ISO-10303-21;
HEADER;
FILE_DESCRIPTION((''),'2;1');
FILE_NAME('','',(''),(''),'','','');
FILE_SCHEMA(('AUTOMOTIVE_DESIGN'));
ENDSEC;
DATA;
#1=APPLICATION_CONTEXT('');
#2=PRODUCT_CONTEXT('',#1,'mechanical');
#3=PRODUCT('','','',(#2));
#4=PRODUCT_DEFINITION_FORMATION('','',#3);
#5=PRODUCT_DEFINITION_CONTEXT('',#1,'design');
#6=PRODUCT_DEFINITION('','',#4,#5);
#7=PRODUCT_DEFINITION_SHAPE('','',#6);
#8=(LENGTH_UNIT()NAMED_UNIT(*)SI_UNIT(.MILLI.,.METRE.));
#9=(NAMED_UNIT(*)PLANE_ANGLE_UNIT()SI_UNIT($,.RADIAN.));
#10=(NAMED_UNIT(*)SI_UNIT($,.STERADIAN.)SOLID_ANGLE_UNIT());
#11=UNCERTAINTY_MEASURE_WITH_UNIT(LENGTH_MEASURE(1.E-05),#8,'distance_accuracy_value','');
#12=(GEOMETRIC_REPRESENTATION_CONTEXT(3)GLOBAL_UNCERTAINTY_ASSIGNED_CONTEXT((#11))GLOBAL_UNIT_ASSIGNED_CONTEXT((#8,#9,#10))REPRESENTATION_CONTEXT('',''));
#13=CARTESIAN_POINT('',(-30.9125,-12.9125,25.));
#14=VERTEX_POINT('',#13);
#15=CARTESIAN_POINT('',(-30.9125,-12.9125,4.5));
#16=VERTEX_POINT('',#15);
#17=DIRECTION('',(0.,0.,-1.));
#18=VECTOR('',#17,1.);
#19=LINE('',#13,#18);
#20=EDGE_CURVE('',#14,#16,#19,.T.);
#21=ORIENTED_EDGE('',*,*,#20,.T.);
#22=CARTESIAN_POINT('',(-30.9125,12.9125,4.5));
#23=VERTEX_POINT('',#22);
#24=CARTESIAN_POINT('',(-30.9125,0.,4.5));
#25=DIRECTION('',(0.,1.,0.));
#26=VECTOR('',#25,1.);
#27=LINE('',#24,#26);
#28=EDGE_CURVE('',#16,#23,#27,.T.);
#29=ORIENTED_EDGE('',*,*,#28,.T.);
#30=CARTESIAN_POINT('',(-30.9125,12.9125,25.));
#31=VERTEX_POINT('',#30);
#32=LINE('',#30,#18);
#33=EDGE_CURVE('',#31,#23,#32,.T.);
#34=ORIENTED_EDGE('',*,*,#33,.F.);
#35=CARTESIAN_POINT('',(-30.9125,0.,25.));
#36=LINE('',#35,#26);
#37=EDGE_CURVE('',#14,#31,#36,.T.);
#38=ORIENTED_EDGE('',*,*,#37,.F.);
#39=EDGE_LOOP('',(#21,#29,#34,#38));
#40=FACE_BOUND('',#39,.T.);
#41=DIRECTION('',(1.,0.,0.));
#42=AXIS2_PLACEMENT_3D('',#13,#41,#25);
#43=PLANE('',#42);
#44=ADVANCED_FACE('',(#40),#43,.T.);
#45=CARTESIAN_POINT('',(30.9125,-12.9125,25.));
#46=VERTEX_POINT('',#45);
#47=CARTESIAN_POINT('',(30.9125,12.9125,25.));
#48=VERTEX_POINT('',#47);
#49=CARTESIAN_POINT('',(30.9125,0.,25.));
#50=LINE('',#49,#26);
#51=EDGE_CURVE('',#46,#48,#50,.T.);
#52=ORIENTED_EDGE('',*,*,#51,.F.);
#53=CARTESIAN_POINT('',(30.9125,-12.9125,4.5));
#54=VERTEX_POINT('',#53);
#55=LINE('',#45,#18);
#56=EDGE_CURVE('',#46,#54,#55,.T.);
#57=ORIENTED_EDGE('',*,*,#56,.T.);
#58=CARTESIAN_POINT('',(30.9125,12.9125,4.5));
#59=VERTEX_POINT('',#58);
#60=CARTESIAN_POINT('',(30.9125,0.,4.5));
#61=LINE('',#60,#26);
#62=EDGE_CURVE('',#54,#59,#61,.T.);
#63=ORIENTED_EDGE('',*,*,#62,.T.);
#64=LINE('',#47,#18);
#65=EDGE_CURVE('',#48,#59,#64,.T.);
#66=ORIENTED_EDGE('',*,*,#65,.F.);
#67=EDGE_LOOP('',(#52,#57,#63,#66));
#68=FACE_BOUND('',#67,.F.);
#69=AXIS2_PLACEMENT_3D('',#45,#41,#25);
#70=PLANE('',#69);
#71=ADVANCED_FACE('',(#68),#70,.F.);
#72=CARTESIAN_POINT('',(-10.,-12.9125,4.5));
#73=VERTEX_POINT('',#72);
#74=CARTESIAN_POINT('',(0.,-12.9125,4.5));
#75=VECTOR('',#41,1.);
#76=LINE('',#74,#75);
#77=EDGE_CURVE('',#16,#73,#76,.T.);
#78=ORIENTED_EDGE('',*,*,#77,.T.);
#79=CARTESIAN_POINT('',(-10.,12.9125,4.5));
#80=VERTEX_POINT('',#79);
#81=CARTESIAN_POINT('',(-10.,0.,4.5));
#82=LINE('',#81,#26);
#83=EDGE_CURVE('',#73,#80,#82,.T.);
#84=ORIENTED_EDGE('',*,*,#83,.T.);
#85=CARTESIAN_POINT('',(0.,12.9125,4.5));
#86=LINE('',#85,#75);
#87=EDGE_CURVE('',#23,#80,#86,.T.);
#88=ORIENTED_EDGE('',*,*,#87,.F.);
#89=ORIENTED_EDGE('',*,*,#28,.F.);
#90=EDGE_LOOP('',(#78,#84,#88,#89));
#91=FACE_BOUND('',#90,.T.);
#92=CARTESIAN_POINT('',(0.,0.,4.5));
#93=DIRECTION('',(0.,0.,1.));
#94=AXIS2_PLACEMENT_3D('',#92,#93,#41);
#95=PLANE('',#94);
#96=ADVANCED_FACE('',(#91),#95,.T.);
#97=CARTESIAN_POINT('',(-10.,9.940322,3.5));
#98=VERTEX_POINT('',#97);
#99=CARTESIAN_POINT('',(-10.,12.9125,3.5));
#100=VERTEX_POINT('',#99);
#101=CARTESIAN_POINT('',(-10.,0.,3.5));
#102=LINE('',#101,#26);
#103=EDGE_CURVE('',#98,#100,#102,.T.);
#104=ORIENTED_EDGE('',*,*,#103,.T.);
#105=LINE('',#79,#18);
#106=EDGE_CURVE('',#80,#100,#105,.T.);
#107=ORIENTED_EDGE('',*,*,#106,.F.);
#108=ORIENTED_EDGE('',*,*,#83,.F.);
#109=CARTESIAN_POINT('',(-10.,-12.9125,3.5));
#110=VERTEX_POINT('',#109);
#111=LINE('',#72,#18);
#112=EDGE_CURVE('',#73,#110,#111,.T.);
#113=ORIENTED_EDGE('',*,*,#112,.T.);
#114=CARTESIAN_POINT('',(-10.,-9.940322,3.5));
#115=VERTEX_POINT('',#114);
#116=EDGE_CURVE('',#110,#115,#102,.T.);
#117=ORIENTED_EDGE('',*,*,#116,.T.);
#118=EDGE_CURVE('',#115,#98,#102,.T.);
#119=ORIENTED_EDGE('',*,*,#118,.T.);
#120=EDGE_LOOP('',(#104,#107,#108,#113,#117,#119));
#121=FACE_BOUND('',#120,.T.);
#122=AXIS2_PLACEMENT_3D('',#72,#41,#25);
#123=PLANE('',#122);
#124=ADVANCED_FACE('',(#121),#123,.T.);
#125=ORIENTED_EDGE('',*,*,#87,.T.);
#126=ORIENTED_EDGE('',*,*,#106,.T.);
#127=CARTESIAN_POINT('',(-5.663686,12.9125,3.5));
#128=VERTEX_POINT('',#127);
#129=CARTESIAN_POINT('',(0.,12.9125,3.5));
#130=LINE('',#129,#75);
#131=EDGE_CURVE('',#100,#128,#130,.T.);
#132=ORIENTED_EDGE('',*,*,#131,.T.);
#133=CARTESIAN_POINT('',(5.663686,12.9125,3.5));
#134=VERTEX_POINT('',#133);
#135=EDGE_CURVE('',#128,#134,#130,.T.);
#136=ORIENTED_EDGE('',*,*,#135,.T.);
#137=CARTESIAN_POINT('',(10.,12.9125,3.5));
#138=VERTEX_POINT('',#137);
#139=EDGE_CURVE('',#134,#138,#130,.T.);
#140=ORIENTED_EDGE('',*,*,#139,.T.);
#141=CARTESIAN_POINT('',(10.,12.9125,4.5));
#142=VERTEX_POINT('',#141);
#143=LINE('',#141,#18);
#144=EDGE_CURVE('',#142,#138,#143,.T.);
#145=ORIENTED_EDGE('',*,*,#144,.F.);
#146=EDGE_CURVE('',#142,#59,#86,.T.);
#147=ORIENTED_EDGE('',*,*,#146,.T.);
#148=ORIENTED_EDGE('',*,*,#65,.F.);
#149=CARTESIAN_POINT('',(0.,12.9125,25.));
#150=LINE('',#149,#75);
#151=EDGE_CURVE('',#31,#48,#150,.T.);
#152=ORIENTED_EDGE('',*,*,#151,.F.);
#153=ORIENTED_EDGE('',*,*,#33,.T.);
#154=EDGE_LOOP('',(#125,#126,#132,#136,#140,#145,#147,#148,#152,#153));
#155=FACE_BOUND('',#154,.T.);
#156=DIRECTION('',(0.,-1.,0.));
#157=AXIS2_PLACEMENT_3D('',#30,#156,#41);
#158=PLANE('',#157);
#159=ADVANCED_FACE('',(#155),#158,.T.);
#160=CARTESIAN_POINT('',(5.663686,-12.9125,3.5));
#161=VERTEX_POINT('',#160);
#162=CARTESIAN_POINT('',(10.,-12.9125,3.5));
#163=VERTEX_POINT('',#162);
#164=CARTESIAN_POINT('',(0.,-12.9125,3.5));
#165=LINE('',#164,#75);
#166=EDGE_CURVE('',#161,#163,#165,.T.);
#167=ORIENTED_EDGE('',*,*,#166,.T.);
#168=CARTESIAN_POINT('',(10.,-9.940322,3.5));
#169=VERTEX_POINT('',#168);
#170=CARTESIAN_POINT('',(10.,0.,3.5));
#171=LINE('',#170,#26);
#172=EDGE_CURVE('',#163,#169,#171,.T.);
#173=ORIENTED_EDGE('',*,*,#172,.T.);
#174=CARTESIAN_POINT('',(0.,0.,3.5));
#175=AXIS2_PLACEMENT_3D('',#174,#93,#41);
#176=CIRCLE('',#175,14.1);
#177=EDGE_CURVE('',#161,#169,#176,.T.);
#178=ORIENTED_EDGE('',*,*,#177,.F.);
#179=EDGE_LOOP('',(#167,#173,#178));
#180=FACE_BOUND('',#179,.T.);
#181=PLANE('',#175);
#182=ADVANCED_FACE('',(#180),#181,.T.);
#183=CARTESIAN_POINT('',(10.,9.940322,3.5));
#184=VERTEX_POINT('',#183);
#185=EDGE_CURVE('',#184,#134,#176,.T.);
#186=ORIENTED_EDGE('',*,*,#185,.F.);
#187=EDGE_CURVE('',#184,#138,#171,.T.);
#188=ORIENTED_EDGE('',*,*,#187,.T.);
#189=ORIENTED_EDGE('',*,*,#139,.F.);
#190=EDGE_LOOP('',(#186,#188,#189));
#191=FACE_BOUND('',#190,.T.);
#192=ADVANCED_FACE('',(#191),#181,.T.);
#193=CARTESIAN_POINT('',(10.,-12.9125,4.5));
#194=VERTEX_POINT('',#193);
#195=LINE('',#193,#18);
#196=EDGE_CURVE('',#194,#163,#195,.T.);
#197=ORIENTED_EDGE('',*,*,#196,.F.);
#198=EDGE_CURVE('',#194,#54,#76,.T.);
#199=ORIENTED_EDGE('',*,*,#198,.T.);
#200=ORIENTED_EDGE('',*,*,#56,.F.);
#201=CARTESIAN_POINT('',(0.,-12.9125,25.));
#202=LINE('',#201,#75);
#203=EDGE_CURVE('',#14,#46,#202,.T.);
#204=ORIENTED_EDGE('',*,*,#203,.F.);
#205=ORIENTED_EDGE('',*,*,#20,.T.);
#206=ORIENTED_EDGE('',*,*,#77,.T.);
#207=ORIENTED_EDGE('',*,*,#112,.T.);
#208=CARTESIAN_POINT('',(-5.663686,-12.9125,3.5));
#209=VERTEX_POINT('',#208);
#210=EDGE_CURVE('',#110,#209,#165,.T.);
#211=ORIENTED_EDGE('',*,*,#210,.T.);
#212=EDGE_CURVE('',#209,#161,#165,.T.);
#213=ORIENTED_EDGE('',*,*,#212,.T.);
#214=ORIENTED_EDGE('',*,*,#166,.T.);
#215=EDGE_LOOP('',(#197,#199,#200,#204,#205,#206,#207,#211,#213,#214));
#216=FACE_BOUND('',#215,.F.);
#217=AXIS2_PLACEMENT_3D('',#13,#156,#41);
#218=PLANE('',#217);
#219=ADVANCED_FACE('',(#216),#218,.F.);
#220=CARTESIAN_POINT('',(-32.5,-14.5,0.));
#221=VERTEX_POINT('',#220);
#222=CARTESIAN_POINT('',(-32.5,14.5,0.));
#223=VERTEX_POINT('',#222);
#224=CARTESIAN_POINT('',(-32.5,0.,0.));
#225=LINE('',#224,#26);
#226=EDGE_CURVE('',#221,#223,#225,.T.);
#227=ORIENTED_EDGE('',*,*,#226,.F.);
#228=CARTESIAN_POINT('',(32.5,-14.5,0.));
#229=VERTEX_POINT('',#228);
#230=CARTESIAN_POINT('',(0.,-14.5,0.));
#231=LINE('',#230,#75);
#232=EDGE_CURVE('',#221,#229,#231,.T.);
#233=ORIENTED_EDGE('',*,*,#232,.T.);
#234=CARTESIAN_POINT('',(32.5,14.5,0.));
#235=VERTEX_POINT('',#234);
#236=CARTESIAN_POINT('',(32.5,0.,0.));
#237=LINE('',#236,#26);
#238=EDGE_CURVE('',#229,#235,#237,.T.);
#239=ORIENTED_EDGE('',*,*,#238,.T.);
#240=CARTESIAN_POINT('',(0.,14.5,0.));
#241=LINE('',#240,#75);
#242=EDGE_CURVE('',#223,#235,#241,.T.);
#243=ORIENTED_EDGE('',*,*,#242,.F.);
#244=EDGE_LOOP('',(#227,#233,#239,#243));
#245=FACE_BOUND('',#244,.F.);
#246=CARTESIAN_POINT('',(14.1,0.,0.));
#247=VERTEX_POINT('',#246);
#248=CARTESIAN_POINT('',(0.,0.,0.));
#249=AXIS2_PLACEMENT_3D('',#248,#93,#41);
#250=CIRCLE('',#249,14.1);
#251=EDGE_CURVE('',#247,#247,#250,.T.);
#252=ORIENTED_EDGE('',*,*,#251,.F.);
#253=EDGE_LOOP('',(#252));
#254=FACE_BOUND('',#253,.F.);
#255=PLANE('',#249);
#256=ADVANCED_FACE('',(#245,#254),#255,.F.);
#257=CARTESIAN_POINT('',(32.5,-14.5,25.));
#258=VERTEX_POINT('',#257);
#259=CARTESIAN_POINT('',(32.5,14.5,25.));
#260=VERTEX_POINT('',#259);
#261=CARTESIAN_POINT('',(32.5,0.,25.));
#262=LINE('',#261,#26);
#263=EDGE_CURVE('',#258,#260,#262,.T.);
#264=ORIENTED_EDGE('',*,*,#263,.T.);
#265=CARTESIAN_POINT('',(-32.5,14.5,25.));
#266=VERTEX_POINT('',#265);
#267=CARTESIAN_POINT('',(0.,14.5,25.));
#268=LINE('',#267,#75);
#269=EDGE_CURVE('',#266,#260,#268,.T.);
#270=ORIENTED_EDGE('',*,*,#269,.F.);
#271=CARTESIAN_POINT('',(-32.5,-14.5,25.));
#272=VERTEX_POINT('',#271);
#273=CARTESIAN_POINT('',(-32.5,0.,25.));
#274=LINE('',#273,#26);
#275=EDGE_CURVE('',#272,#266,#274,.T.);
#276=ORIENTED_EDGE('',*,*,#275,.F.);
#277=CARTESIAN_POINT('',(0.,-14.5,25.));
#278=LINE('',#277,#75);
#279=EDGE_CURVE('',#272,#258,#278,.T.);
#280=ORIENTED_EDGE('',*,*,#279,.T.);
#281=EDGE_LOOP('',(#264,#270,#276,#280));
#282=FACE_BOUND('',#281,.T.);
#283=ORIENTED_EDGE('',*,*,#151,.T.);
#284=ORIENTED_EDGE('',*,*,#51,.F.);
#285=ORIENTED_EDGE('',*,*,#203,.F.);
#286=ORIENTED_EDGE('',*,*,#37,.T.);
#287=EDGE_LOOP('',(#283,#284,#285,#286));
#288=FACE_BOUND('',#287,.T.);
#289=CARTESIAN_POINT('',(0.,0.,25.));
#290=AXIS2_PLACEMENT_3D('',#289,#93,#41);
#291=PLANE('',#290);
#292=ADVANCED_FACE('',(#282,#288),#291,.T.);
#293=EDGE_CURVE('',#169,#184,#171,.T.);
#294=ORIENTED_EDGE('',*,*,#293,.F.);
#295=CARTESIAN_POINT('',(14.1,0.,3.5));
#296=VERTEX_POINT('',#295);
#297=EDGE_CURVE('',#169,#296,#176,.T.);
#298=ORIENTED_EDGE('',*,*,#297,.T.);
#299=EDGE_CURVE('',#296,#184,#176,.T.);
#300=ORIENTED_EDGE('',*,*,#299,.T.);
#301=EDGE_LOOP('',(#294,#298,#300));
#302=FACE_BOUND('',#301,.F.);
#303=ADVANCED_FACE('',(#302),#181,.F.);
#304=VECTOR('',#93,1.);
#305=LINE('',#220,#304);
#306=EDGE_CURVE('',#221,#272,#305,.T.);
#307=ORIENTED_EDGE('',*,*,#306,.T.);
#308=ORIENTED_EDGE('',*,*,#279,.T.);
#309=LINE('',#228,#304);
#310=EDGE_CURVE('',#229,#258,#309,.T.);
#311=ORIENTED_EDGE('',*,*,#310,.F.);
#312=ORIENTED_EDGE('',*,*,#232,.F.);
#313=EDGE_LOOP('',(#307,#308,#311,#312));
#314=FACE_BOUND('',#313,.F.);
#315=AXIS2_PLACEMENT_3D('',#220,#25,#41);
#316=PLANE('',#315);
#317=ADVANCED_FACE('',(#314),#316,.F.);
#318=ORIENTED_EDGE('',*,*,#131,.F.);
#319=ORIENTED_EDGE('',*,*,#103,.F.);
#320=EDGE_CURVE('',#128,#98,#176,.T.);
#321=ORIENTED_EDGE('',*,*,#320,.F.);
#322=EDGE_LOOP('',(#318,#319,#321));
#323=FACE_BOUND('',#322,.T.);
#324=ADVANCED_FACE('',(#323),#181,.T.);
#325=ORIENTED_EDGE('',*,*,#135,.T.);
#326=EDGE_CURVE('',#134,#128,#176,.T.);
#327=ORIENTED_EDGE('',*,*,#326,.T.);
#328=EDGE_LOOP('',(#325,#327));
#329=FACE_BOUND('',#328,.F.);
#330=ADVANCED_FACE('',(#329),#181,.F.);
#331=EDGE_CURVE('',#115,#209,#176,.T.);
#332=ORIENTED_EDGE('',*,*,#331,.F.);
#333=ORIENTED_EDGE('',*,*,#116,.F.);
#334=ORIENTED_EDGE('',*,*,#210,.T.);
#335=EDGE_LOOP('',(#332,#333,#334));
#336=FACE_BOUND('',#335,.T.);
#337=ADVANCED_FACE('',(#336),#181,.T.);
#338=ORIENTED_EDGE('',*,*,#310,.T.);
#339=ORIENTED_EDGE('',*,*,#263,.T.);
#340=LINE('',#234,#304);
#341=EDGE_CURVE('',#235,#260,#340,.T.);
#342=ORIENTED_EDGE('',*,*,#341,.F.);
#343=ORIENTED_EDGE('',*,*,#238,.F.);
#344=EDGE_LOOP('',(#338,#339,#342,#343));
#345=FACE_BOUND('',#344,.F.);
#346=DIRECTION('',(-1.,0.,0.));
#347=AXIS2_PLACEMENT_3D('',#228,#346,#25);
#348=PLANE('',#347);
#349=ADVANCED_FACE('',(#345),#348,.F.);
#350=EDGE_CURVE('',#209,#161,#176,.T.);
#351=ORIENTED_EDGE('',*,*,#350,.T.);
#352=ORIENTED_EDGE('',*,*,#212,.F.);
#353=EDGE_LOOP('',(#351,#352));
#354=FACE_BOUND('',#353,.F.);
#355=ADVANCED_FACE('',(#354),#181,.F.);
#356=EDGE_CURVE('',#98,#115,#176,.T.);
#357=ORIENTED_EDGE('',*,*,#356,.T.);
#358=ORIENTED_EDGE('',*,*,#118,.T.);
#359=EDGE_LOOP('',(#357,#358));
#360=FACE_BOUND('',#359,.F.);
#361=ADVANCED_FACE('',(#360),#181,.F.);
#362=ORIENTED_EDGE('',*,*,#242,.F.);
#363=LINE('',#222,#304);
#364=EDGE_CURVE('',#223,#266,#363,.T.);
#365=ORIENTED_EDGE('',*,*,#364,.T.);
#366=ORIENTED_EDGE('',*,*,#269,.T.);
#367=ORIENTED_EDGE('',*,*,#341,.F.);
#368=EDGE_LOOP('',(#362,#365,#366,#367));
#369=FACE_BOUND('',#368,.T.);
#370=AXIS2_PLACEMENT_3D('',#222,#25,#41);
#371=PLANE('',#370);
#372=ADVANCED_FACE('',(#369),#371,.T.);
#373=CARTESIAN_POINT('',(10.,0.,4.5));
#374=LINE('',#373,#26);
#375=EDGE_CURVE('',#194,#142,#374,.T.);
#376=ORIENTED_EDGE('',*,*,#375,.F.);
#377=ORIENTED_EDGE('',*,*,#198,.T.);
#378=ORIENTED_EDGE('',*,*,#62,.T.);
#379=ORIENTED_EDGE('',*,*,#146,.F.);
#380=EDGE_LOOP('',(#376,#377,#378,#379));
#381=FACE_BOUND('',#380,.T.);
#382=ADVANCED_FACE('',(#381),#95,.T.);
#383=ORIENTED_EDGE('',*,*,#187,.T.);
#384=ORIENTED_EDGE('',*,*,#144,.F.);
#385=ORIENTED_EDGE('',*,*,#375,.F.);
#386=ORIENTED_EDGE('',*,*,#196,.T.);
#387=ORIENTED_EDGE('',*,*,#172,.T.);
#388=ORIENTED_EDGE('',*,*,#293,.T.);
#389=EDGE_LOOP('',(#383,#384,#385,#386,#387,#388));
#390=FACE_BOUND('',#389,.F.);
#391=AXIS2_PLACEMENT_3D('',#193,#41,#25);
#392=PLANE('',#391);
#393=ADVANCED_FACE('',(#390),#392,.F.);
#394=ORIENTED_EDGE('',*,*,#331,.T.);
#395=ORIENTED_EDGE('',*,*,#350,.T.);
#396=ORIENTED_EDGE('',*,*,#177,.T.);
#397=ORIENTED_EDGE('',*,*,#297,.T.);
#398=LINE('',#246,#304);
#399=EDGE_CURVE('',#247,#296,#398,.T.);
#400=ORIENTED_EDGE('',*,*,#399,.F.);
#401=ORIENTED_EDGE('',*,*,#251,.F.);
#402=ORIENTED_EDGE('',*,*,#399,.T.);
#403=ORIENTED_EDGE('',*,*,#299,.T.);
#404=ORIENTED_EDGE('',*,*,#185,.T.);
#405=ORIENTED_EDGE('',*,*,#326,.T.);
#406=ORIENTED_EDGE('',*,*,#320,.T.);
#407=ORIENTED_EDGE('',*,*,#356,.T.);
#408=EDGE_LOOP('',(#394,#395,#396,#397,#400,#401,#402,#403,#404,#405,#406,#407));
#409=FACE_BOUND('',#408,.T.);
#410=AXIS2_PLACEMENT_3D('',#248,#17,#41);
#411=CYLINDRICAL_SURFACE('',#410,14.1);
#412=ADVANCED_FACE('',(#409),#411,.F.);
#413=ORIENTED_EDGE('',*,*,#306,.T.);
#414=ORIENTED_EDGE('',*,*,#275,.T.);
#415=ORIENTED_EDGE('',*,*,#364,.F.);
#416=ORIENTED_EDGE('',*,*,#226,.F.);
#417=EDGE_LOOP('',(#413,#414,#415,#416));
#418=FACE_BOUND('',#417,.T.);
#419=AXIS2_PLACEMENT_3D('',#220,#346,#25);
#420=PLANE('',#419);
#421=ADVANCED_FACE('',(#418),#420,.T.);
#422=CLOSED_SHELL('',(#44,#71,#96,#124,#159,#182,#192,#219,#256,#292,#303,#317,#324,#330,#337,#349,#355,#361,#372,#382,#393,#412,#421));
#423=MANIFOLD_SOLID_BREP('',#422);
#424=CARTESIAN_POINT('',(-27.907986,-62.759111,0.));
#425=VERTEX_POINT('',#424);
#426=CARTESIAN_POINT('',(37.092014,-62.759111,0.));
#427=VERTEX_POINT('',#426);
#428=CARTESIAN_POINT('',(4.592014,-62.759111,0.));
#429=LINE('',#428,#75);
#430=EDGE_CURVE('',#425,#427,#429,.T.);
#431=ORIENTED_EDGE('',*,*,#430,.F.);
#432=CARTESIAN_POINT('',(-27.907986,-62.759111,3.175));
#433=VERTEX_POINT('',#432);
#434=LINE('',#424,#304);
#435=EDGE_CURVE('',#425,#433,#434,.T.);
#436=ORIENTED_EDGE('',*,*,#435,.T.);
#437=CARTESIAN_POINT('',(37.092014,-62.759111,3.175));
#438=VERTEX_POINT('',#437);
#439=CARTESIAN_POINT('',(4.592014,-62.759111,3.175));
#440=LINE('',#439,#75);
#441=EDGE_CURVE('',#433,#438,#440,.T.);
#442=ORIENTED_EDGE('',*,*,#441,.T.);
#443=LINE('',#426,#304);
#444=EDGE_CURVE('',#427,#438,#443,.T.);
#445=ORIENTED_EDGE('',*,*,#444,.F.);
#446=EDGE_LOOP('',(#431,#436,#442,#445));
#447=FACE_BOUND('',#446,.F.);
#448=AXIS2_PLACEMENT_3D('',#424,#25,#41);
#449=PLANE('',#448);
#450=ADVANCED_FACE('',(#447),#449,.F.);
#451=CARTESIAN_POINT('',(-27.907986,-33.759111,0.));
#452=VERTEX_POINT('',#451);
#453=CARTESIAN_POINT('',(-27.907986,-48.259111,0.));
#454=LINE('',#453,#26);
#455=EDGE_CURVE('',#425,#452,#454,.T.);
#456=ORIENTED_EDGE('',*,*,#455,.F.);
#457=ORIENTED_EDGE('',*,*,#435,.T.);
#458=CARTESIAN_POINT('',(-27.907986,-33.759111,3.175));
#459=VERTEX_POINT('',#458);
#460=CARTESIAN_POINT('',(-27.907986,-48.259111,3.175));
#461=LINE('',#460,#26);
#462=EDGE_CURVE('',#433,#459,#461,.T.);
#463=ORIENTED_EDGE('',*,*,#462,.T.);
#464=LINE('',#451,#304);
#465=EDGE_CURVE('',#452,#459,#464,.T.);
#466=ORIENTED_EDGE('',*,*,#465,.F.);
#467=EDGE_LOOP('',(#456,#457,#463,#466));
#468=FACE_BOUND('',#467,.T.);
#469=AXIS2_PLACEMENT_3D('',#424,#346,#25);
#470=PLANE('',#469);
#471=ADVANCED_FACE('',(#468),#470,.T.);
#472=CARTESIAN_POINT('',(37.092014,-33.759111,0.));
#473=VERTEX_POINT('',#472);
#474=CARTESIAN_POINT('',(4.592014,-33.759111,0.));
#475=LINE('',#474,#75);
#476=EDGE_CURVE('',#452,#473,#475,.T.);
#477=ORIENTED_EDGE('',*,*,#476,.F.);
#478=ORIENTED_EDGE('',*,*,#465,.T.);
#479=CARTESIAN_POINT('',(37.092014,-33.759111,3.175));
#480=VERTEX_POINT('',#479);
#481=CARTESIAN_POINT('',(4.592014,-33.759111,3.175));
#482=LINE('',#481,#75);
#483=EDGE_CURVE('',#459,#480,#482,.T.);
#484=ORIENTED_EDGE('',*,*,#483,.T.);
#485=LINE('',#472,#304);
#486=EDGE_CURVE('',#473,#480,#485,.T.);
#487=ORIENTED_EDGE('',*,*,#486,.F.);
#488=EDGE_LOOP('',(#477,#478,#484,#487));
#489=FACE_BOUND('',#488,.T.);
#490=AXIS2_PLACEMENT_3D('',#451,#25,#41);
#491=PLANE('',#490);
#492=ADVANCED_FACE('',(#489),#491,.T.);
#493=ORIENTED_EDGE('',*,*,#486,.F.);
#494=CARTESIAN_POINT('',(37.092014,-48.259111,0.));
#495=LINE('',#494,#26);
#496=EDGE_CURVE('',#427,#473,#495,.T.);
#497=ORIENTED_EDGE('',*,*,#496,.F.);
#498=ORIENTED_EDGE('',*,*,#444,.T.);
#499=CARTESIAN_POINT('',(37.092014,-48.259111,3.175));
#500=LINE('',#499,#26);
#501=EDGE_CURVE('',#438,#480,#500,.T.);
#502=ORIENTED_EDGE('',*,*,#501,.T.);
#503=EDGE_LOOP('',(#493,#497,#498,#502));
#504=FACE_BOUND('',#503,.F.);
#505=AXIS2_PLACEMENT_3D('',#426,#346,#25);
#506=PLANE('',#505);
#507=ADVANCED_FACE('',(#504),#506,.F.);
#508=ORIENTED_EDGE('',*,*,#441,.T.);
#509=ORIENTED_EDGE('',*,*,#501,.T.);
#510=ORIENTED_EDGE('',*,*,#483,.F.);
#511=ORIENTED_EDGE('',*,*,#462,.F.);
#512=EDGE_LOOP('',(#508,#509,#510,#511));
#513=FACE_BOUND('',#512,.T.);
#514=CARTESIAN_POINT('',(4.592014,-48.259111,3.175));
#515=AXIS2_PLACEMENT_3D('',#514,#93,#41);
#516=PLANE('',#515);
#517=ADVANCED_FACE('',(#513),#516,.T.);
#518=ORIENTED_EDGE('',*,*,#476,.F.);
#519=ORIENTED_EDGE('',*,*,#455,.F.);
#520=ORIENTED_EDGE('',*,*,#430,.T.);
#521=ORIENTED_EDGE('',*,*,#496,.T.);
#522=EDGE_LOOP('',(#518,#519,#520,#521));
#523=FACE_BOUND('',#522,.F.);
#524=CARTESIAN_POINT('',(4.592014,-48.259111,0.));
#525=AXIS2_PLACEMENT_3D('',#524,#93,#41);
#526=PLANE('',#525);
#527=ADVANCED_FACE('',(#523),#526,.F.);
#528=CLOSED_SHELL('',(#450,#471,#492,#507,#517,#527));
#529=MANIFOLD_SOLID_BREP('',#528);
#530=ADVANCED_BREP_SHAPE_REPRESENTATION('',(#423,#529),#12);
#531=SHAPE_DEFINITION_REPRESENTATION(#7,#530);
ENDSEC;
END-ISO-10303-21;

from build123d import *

# Parameters (mm, degrees)
F0_W     = 65
F0_H     = 29
F1_DEPTH = 25
F2_R     = 14.1
F3_DEPTH = 3.5
F4_W     = 61.825
F4_H     = 25.825
F5_DEPTH = 20.5
F6_W     = 65
F6_H     = 29
F7_DEPTH = 3.175
F8_W     = 20
F8_H     = 25.825
F9_DEPTH = 1


with BuildPart() as f1:
    # F0 (on Top) → F1 (new body)
    with BuildSketch(Plane.XY):
        Rectangle(F0_W, F0_H)
    extrude(amount=F1_DEPTH)

    # F2 (on Top) → F3 (cut)
    with BuildSketch(Plane.XY):
        Circle(F2_R)
    extrude(amount=F3_DEPTH, mode=Mode.SUBTRACT)

    # F4 (on face) → F5 (cut)
    with BuildSketch(Plane.XY.offset(25)):
        Rectangle(F4_W, F4_H)
    extrude(amount=-F5_DEPTH, mode=Mode.SUBTRACT)

    # F8 (on face) → F9 (cut)
    with BuildSketch(Plane.XY.offset(4.5)):
        Rectangle(F8_W, F8_H)
    extrude(amount=-F9_DEPTH, mode=Mode.SUBTRACT)


with BuildPart() as f7:
    # F6 (on Top) → F7 (new body)
    with BuildSketch(Plane.XY):
        with Locations((4.592014, -48.259111)):
            Rectangle(F6_W, F6_H)
    extrude(amount=F7_DEPTH)


solid = Compound([f1.part, f7.part])
